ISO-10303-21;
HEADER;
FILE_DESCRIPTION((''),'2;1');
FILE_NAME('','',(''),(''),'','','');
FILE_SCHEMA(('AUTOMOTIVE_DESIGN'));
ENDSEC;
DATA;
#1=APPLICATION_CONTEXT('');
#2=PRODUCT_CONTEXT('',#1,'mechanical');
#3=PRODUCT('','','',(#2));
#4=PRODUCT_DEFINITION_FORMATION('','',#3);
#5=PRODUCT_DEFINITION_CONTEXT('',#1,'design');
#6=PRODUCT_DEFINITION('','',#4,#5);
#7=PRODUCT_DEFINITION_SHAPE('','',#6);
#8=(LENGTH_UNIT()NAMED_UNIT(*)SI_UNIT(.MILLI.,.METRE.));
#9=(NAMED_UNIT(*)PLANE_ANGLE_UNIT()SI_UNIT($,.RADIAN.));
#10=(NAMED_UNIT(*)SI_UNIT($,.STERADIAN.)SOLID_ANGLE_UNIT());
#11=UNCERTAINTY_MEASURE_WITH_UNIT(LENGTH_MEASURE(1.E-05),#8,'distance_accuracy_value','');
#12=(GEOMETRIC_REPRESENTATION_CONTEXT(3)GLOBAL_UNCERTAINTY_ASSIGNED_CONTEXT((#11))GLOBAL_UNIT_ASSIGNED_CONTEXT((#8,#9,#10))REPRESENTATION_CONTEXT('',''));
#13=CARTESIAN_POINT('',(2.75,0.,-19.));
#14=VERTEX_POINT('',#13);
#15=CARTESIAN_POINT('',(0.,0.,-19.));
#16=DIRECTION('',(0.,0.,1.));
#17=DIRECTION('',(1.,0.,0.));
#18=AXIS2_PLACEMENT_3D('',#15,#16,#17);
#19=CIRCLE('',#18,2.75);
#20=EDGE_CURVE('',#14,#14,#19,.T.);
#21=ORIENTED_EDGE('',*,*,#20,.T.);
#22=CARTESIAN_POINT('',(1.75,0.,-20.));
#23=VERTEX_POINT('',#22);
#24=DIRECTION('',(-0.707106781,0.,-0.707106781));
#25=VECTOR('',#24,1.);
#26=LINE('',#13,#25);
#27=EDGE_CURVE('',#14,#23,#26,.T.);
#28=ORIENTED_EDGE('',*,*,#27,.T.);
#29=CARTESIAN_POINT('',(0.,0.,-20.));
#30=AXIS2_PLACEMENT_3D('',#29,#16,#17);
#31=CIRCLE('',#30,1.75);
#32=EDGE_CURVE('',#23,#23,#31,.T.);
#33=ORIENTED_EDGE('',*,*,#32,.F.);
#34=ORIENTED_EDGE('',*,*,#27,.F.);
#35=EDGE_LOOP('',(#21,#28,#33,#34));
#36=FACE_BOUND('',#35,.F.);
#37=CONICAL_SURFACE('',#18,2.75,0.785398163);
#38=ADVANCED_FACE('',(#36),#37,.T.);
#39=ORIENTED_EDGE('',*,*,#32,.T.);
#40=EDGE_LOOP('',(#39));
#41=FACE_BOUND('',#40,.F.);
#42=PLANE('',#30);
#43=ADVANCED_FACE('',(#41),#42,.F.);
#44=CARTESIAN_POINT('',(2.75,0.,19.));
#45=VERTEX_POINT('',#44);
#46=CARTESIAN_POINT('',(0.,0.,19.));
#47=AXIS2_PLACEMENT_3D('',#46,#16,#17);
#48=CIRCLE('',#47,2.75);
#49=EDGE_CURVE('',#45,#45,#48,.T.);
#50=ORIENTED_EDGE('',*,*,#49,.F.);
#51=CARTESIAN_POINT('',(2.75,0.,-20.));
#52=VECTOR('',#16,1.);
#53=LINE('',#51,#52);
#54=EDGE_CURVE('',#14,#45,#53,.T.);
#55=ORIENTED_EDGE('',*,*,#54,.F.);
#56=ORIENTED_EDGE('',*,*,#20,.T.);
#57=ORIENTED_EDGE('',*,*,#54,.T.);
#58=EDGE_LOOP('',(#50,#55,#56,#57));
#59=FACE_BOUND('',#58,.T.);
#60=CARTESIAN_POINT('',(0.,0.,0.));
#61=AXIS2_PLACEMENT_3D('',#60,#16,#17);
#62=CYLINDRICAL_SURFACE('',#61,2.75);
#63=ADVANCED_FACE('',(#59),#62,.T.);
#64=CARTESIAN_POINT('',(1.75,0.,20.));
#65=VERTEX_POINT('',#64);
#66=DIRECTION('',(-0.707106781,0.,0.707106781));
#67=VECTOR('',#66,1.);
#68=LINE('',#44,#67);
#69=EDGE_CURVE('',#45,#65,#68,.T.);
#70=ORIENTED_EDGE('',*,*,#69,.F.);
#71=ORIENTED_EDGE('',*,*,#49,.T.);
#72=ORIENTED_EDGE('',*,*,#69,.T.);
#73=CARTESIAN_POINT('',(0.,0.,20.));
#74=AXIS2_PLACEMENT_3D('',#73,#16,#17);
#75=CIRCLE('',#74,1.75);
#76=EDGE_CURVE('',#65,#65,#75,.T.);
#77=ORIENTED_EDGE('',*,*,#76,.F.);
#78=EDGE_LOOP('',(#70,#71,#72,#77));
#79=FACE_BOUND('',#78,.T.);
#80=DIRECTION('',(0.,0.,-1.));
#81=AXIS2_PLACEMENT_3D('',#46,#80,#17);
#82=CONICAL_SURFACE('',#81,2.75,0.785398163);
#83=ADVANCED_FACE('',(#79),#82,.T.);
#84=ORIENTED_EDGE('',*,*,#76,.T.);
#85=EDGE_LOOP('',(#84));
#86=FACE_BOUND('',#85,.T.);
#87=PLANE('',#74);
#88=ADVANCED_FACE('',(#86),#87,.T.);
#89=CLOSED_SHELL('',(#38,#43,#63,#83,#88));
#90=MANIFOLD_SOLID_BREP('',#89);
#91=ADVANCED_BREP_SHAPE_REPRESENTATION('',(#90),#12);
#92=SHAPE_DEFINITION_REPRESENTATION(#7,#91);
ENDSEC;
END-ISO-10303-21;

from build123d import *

# Parameters (mm, degrees)
F0_R     = 2.75
F1_DEPTH = 20
F2_SIZE  = 1


with BuildPart() as f1:
    # F0 (on Top) → F1 (new body, symmetric)
    with BuildSketch(Plane.XY):
        Circle(F0_R)
    extrude(amount=F1_DEPTH, both=True)

    # F2
    f2_edges = [f1.edges().sort_by_distance(p)[0] for p in [
        (-2.75, 0, 20),
        (-2.75, 0, -20),
    ]]
    chamfer(f2_edges, length=F2_SIZE)


solid = f1.part
